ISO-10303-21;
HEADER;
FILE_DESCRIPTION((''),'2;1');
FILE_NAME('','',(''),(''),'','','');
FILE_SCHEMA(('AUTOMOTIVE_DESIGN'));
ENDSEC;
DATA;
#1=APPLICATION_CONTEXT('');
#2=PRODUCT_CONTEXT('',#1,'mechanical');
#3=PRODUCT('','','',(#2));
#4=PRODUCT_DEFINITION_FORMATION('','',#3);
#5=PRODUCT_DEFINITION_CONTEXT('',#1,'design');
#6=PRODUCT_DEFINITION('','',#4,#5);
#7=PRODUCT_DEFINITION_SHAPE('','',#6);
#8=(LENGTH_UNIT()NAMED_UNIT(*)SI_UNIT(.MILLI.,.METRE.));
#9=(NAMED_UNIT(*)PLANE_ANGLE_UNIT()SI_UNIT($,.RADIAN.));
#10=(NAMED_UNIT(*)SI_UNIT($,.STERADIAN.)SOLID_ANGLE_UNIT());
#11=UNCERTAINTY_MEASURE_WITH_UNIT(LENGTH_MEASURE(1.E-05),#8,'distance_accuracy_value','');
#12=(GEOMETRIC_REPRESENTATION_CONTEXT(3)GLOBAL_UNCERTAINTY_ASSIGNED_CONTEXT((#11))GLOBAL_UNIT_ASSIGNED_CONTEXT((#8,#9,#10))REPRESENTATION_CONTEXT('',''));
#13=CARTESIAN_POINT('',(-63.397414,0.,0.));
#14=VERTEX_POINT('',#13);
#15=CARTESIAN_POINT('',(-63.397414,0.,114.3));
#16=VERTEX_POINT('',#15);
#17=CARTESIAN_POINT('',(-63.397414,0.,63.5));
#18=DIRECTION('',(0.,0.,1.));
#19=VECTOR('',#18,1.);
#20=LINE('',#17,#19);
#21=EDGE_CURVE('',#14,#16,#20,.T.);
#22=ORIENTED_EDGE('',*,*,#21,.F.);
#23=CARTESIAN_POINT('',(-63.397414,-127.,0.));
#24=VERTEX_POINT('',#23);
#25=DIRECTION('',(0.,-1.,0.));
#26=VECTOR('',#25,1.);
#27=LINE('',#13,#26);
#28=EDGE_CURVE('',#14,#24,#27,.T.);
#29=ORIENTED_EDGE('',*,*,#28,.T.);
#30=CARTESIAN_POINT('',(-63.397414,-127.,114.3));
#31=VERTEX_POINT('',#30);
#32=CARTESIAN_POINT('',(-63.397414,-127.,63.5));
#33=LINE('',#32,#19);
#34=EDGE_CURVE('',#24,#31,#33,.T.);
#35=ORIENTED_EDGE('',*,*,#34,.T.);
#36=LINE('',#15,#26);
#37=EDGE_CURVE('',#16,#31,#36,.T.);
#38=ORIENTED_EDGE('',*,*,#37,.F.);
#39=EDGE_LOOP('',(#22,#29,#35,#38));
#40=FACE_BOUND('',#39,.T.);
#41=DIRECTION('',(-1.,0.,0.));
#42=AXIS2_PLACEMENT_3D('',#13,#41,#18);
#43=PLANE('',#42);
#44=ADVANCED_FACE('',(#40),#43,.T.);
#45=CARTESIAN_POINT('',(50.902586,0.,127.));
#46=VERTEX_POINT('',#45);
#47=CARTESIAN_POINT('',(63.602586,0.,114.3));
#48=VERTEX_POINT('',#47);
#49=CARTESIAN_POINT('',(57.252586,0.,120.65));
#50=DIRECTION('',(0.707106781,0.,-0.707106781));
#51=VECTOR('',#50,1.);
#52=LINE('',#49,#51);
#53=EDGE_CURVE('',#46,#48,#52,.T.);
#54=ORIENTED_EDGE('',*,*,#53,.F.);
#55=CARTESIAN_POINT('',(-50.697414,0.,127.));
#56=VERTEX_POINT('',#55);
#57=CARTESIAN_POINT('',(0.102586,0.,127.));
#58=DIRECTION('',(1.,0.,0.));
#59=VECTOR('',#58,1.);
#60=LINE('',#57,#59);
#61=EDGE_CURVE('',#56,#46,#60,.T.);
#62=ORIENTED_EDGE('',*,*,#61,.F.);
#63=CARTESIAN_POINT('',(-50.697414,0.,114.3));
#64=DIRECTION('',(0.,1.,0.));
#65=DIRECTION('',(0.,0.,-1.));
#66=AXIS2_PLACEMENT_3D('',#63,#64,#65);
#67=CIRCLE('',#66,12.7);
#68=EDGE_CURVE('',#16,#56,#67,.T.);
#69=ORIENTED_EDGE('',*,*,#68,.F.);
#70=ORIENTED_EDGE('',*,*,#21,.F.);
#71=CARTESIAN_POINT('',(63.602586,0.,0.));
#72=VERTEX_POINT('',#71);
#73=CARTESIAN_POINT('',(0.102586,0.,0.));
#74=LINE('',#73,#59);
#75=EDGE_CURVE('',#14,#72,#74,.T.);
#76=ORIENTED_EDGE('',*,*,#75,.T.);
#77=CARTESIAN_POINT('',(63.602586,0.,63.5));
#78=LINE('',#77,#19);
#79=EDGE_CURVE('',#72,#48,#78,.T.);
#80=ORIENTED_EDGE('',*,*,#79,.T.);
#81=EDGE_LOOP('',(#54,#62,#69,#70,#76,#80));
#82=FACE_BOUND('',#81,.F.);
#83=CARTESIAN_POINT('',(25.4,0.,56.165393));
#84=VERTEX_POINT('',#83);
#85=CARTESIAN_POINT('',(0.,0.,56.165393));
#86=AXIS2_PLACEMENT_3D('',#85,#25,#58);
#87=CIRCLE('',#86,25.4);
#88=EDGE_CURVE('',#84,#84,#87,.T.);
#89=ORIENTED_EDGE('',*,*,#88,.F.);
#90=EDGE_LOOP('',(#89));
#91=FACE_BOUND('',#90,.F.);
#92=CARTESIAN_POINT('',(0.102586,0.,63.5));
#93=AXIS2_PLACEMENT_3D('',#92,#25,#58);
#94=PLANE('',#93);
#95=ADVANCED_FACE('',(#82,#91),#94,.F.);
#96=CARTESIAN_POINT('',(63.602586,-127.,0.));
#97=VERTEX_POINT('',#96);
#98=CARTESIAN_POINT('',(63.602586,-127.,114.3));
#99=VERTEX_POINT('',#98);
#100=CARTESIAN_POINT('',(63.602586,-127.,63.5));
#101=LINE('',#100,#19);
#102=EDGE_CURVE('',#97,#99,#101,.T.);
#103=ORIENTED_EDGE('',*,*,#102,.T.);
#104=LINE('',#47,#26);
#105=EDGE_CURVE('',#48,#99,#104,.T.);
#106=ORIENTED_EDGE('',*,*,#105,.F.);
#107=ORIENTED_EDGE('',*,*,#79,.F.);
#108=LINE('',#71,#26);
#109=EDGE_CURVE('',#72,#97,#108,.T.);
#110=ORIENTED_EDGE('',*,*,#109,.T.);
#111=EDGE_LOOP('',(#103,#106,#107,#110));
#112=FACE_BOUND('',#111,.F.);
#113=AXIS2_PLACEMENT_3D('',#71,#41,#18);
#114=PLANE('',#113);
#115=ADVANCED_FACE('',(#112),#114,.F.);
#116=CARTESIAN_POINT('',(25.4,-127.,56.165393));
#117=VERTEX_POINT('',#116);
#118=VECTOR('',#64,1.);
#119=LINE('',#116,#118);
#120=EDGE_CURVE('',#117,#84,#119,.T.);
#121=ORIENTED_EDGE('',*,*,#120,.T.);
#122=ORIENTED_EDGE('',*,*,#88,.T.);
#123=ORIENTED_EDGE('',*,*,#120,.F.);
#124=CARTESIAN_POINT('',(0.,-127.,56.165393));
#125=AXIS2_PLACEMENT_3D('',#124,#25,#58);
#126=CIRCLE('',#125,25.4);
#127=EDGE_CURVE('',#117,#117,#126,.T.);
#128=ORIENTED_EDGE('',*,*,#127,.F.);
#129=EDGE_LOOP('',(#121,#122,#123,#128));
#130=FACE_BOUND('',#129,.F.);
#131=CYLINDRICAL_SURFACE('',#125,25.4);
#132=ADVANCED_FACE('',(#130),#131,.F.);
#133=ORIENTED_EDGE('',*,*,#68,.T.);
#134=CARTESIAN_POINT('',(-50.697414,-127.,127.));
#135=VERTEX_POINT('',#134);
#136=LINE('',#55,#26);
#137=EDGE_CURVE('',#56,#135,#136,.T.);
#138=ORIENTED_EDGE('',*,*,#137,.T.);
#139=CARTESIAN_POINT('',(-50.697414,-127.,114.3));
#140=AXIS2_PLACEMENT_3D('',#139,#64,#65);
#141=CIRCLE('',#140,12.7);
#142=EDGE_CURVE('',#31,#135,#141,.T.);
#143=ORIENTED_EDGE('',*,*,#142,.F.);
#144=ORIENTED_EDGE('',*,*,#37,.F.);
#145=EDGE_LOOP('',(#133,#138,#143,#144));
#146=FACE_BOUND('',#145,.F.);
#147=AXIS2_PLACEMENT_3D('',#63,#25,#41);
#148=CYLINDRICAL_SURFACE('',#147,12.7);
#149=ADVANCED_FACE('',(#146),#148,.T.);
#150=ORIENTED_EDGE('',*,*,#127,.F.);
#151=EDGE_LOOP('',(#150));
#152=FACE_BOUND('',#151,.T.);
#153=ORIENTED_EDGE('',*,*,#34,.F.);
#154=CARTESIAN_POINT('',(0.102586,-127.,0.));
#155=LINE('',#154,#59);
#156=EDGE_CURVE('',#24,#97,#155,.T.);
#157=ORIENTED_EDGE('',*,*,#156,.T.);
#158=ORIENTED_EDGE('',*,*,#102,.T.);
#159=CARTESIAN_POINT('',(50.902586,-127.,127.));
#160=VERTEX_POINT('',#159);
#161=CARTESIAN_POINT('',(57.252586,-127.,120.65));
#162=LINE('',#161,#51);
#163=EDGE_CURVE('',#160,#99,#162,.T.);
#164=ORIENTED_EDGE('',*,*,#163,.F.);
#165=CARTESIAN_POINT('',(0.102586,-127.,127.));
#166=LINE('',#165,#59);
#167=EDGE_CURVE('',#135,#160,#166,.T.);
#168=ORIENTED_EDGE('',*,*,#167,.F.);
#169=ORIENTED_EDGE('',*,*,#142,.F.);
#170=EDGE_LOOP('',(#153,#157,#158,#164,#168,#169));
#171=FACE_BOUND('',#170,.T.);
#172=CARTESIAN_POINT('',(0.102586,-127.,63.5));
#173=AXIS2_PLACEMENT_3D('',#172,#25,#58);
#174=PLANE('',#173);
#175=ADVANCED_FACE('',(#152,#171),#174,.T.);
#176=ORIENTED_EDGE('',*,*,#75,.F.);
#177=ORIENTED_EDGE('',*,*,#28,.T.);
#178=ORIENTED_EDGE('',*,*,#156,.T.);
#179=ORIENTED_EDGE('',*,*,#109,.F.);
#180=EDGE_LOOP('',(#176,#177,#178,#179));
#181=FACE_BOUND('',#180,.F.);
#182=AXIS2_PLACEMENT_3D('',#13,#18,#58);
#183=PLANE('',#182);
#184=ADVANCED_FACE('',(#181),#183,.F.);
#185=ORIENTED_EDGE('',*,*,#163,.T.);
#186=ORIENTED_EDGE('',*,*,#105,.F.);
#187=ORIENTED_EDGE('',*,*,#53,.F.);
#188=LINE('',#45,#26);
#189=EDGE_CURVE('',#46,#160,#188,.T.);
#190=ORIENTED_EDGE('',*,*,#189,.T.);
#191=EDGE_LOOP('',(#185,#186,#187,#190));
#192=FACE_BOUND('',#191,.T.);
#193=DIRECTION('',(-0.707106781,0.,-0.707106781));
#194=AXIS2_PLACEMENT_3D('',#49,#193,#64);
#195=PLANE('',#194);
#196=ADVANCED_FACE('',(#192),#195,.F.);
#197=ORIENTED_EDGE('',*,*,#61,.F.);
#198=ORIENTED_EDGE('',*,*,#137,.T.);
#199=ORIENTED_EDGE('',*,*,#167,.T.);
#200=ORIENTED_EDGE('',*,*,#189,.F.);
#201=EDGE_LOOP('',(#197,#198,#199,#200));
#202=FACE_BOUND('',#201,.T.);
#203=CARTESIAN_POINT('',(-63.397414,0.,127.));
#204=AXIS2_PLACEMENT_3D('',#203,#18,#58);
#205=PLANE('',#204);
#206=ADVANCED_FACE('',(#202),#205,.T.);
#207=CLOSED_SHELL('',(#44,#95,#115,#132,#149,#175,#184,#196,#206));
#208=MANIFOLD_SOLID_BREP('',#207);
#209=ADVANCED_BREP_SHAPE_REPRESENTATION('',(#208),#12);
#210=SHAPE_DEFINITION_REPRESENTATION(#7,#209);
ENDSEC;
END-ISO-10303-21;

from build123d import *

# Parameters (mm, degrees)
F0_W     = 127
F0_H     = 127
F1_DEPTH = 127
F2_R     = 12.7
F3_SIZE  = 12.7
F5_R     = 25.4
F6_DEPTH = 127.001


with BuildPart() as f1:
    # F0 (on Front) → F1 (new body)
    with BuildSketch(Plane.XZ):
        with Locations((0.102586, 63.5)):
            Rectangle(F0_W, F0_H)
    extrude(amount=F1_DEPTH)

    # F2
    f2_edges = [f1.edges().sort_by_distance(p)[0] for p in [
        (-63.397414, -63.5, 127),
    ]]
    fillet(f2_edges, radius=F2_R)

    # F3
    f3_edges = [f1.edges().sort_by_distance(p)[0] for p in [
        (63.602586, -63.5, 127),
    ]]
    chamfer(f3_edges, length=F3_SIZE)

    # F5 (on face) → F6 (cut, through all)
    with BuildSketch(Plane.XZ.offset(127)):
        with Locations((0, 56.165393)):
            Circle(F5_R)
    extrude(amount=-F6_DEPTH, mode=Mode.SUBTRACT)


solid = f1.part
